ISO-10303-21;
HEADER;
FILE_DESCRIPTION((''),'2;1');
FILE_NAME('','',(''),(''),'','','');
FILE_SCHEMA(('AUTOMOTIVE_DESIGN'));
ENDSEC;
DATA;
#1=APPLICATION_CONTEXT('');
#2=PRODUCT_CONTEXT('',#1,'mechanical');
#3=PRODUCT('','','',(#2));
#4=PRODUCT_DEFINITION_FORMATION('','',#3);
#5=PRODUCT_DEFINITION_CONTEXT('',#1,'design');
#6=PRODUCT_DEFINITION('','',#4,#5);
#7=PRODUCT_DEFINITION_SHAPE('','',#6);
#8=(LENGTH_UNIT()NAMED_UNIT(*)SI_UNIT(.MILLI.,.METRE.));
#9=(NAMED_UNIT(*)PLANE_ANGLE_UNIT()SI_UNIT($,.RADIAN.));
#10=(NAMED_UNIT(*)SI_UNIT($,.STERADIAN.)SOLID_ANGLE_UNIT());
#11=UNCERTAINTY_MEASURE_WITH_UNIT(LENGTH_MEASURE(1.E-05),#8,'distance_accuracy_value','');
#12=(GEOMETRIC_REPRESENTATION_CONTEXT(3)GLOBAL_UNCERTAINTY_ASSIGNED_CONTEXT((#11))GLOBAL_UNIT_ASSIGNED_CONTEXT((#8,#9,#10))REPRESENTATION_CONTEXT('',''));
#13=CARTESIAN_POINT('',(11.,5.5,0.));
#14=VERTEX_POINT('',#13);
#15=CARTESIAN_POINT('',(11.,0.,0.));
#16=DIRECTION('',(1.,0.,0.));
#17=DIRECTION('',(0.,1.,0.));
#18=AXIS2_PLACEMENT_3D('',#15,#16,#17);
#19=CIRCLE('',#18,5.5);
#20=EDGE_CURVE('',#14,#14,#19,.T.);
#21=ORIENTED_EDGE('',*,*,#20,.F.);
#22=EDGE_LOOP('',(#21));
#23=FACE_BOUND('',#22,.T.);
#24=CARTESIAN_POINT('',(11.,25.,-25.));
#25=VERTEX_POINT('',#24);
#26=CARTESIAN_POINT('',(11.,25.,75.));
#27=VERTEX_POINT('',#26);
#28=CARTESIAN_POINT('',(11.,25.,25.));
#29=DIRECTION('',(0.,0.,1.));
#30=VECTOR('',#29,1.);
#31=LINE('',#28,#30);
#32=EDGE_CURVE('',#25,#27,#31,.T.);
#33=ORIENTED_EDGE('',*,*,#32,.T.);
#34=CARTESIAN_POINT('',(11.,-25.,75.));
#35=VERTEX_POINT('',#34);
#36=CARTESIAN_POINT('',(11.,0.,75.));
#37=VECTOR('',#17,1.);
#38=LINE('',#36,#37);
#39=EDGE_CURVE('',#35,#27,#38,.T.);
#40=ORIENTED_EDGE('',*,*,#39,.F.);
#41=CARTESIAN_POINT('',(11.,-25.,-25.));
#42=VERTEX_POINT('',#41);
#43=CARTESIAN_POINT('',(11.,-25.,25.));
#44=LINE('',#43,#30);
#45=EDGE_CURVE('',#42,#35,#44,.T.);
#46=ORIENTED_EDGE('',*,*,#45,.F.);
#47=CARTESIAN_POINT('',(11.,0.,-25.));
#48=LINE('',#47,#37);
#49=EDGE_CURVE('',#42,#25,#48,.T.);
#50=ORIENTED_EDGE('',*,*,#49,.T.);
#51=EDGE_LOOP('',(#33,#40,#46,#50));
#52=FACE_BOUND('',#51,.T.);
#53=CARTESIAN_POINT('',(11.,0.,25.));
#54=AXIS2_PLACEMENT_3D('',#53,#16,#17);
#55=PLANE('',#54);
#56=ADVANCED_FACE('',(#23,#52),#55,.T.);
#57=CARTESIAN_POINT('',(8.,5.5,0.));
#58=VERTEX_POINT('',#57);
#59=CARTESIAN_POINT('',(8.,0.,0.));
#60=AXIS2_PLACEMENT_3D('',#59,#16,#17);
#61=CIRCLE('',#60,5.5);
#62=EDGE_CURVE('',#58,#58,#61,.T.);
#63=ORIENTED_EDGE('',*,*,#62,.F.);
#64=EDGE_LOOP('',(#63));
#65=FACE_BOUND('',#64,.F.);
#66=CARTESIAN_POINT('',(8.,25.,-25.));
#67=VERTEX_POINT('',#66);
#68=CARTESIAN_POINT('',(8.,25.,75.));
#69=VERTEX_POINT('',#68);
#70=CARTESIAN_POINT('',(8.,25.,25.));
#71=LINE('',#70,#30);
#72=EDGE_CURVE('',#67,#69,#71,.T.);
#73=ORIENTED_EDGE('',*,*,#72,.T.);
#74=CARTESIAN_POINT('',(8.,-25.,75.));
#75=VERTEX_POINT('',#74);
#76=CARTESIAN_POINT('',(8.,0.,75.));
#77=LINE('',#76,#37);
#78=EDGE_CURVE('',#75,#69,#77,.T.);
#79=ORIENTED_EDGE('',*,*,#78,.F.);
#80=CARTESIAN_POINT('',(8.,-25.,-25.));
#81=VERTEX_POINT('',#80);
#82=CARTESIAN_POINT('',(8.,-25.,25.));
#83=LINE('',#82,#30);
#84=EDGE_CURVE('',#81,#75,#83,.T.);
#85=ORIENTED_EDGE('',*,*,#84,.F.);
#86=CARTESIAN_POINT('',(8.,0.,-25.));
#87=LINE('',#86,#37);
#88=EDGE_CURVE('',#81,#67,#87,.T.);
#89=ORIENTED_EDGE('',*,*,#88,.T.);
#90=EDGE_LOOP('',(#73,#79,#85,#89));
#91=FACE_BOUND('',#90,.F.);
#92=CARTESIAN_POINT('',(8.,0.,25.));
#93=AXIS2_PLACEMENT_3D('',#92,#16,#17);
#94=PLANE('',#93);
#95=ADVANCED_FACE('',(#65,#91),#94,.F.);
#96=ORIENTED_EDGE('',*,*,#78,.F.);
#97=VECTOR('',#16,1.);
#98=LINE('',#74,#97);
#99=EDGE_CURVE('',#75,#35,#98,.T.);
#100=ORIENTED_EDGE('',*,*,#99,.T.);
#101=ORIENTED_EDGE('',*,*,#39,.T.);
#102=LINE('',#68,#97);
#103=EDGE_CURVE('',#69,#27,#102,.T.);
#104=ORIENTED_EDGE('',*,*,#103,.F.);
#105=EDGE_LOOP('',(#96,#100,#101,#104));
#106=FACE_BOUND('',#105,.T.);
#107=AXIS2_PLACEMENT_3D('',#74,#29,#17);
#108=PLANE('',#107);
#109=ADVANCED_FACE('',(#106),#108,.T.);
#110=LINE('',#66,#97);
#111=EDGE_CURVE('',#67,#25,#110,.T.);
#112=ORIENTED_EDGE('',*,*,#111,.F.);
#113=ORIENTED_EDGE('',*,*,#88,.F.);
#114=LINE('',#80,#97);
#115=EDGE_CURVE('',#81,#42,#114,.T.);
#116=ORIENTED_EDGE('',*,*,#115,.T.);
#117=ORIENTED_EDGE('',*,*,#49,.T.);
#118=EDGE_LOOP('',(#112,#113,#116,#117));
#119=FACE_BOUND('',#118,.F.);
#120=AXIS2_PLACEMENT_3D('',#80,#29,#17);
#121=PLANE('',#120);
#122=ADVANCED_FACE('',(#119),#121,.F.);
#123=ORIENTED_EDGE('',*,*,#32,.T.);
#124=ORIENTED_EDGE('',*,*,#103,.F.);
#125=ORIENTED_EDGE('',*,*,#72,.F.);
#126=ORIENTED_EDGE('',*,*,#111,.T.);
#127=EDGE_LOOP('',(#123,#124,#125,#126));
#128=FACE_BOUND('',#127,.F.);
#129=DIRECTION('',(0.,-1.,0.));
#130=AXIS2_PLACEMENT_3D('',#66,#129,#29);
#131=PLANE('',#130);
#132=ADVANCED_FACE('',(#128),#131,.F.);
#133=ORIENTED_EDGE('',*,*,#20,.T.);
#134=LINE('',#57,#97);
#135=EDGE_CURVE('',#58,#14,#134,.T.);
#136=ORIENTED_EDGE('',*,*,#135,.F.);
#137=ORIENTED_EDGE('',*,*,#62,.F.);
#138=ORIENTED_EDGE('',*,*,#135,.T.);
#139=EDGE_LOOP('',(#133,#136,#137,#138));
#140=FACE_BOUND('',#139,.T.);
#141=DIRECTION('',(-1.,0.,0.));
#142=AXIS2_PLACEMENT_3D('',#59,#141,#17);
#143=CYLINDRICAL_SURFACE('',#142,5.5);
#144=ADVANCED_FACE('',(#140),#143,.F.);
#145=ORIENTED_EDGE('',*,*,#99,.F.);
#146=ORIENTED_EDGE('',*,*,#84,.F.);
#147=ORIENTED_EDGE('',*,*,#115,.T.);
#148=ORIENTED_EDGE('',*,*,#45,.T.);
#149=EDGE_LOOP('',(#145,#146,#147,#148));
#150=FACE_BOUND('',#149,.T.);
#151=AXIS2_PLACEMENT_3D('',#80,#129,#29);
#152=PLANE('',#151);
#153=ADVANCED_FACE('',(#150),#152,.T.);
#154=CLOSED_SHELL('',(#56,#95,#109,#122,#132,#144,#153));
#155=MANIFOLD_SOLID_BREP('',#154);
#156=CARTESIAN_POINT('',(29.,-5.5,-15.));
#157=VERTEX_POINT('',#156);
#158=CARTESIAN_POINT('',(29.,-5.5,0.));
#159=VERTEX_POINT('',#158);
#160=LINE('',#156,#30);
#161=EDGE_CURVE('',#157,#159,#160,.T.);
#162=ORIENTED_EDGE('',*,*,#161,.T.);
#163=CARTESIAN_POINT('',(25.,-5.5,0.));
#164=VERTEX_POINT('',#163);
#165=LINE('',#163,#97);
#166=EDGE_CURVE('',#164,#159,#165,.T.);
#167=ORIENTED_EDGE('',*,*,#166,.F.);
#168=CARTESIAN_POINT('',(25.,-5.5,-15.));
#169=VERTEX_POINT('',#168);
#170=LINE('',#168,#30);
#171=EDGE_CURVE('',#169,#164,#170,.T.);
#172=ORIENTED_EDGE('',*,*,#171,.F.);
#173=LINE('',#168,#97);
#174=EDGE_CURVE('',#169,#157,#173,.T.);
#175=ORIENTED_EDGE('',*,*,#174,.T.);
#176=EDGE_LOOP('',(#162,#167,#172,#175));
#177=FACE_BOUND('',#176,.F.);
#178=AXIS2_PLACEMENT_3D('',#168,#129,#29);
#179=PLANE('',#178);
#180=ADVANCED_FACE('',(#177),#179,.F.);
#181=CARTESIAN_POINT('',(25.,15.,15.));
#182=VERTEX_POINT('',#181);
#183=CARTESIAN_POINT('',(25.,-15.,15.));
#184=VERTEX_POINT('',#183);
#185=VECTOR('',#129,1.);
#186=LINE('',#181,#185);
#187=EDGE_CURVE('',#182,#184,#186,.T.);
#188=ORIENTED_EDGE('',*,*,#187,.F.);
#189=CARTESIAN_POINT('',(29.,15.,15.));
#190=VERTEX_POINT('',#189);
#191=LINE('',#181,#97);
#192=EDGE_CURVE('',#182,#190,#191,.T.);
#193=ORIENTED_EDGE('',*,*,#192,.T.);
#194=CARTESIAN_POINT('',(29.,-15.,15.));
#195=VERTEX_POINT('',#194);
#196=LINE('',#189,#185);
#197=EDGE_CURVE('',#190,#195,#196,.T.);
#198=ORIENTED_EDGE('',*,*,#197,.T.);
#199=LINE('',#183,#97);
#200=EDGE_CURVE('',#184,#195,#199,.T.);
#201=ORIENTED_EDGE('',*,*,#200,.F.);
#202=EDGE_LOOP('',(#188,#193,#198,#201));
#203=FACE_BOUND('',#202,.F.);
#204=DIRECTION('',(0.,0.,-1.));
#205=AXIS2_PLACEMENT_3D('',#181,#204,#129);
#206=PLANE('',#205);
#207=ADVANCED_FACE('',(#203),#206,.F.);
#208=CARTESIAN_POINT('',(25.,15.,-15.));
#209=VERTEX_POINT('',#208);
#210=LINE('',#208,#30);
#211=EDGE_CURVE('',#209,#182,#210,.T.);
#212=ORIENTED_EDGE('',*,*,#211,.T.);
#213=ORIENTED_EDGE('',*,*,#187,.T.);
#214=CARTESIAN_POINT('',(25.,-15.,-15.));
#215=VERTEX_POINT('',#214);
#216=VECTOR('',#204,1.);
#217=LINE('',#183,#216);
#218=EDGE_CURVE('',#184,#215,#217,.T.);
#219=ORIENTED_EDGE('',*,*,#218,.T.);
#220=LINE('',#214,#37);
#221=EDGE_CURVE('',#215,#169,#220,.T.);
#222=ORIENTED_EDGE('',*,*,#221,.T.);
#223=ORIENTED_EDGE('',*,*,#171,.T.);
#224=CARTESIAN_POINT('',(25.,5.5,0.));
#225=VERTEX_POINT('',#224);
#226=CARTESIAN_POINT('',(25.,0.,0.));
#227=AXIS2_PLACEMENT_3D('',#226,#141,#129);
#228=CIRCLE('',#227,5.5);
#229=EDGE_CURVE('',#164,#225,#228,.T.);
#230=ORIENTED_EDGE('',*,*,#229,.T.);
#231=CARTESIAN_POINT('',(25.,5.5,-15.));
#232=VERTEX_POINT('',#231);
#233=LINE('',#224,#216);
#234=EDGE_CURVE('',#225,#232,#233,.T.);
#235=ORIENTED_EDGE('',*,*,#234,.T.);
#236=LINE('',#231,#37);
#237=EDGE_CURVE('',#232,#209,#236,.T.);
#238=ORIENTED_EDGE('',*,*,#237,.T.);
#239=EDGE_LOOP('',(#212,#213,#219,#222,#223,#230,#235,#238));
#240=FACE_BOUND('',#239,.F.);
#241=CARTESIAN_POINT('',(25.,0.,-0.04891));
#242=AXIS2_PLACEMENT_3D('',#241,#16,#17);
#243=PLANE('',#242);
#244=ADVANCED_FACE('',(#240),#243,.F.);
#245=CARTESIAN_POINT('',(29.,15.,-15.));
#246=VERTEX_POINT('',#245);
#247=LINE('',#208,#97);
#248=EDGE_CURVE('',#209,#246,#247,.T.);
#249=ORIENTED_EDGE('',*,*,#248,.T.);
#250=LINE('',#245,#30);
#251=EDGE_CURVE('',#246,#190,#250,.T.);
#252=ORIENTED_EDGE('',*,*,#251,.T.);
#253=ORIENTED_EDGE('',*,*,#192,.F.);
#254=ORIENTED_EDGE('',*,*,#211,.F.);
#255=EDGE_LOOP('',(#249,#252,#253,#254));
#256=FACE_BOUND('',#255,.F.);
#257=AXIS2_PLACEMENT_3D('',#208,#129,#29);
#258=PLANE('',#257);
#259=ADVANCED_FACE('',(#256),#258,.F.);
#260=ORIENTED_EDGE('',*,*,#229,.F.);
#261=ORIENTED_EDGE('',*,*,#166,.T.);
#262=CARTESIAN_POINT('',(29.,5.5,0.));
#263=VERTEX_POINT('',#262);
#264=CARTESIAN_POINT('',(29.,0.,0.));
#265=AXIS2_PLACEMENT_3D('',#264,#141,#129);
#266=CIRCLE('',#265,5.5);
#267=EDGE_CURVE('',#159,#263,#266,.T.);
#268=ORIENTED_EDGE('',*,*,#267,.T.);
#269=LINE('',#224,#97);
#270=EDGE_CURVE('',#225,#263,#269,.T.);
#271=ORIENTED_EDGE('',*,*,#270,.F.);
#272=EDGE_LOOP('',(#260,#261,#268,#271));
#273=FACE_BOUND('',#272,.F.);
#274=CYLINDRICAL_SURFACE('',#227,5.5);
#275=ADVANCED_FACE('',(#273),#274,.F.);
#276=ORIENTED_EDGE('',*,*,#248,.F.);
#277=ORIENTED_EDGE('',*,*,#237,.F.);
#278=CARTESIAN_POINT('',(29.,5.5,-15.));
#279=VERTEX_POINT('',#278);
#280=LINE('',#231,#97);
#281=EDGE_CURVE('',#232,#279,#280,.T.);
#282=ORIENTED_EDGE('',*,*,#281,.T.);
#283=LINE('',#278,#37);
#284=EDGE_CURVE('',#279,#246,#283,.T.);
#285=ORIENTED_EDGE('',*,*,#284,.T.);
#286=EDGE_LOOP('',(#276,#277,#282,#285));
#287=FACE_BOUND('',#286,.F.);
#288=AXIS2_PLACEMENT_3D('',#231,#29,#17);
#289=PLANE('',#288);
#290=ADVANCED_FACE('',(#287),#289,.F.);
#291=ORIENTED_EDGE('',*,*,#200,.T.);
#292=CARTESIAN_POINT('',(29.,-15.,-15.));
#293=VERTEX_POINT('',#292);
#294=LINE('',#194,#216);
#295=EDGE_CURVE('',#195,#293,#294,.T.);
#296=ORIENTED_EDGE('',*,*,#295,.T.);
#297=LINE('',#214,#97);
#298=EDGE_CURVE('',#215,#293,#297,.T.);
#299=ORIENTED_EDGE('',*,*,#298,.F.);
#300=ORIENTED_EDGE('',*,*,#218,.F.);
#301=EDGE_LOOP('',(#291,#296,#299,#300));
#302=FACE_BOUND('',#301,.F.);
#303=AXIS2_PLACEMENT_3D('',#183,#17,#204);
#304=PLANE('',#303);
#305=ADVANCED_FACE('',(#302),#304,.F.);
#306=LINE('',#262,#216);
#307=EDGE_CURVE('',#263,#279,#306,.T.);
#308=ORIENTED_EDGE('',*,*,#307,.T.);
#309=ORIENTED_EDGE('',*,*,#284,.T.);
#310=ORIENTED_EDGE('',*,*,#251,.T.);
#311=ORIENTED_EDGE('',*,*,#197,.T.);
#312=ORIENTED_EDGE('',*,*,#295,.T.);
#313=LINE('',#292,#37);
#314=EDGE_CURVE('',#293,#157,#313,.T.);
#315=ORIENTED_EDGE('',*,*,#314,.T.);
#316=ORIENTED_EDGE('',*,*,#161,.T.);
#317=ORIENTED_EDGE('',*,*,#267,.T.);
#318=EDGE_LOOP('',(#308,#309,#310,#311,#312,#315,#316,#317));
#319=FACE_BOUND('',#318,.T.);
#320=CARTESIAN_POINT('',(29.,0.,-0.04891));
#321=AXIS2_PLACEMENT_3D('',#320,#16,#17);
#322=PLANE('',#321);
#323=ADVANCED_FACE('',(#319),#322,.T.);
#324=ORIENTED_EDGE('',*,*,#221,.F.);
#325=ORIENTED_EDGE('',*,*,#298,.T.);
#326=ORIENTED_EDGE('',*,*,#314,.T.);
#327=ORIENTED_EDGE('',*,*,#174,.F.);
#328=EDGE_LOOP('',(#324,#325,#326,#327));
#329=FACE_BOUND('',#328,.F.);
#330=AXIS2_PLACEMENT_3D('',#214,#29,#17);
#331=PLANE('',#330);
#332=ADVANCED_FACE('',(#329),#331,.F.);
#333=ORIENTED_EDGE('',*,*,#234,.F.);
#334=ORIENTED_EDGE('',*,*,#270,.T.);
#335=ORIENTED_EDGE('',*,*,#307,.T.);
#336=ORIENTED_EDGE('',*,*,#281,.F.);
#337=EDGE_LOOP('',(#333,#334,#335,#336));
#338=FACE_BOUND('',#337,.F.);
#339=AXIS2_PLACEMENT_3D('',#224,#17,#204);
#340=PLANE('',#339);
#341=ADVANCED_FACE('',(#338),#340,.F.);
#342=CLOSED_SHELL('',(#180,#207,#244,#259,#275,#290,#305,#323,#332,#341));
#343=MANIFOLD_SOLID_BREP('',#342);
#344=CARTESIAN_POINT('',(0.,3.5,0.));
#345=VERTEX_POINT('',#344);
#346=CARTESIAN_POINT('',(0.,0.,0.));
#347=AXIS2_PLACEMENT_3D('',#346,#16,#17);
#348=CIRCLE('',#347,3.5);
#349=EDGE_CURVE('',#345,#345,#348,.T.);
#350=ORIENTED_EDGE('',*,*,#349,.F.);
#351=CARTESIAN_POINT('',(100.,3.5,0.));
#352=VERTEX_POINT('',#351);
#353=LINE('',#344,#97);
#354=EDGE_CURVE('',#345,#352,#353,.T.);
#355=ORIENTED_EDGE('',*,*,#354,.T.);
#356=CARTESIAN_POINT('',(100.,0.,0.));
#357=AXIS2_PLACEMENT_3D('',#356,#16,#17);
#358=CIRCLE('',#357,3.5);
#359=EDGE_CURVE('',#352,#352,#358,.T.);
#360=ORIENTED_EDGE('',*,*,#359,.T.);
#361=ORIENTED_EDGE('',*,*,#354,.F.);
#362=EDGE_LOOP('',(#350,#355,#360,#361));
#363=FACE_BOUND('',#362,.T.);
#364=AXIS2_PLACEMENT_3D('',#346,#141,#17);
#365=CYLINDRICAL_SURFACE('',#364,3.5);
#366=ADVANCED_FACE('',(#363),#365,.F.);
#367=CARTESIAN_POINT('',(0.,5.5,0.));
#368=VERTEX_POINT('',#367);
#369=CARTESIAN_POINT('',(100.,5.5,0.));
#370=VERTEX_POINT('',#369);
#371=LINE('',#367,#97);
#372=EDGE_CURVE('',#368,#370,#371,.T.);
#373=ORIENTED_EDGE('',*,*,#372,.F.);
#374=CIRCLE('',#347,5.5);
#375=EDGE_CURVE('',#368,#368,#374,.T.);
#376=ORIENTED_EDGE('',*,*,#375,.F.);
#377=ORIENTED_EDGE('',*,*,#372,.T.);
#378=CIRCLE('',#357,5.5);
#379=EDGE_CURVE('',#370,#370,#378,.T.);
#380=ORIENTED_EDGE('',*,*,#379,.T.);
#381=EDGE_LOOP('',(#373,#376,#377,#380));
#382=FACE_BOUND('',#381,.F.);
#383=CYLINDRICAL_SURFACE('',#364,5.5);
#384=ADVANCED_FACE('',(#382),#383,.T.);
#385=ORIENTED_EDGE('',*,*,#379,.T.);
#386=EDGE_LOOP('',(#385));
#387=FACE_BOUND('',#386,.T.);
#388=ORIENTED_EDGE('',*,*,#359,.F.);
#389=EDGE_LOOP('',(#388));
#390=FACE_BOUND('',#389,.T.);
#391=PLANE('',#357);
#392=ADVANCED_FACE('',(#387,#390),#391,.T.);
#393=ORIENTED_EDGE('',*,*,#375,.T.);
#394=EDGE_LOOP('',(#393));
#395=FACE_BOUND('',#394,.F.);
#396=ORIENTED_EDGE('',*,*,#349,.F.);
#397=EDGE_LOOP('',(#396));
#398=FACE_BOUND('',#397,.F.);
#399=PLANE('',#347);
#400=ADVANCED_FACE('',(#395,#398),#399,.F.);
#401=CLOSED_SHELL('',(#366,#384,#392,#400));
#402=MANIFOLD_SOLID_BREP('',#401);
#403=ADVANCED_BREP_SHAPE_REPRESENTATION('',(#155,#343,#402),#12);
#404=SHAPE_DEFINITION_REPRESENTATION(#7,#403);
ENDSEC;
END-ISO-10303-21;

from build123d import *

# Parameters (mm, degrees)
F0_R     = 5.5
F0_R_2   = 3.5
F1_DEPTH = 100
F4_W     = 50
F4_H     = 100
F4_R     = 5.5
F5_DEPTH = 3
F7_DEPTH = 4


with BuildPart() as f1:
    # F0 (on Right) → F1 (new body)
    with BuildSketch(Plane.YZ):
        Circle(F0_R)
        Circle(F0_R_2, mode=Mode.SUBTRACT)
    extrude(amount=F1_DEPTH)


with BuildPart() as f5:
    # F4 (on offset) → F5 (new body)
    with BuildSketch(Plane.YZ.offset(8)):
        with Locations((0, 25)):
            Rectangle(F4_W, F4_H)
        Circle(F4_R, mode=Mode.SUBTRACT)
    extrude(amount=F5_DEPTH)


with BuildPart() as f7:
    # F6 (on offset) → F7 (new body)
    with BuildSketch(Plane.YZ.offset(25)):
        with BuildLine():
            ThreePointArc((-5.5, 0), (0, 5.5), (5.5, 0))
            Line((5.5, 0), (5.5, -15))
            Line((5.5, -15), (15, -15))
            Line((15, -15), (15, 15))
            Line((15, 15), (-15, 15))
            Line((-15, 15), (-15, -15))
            Line((-15, -15), (-5.5, -15))
            Line((-5.5, -15), (-5.5, 0))
        make_face()
    extrude(amount=F7_DEPTH)


solid = Compound([f1.part, f5.part, f7.part])
